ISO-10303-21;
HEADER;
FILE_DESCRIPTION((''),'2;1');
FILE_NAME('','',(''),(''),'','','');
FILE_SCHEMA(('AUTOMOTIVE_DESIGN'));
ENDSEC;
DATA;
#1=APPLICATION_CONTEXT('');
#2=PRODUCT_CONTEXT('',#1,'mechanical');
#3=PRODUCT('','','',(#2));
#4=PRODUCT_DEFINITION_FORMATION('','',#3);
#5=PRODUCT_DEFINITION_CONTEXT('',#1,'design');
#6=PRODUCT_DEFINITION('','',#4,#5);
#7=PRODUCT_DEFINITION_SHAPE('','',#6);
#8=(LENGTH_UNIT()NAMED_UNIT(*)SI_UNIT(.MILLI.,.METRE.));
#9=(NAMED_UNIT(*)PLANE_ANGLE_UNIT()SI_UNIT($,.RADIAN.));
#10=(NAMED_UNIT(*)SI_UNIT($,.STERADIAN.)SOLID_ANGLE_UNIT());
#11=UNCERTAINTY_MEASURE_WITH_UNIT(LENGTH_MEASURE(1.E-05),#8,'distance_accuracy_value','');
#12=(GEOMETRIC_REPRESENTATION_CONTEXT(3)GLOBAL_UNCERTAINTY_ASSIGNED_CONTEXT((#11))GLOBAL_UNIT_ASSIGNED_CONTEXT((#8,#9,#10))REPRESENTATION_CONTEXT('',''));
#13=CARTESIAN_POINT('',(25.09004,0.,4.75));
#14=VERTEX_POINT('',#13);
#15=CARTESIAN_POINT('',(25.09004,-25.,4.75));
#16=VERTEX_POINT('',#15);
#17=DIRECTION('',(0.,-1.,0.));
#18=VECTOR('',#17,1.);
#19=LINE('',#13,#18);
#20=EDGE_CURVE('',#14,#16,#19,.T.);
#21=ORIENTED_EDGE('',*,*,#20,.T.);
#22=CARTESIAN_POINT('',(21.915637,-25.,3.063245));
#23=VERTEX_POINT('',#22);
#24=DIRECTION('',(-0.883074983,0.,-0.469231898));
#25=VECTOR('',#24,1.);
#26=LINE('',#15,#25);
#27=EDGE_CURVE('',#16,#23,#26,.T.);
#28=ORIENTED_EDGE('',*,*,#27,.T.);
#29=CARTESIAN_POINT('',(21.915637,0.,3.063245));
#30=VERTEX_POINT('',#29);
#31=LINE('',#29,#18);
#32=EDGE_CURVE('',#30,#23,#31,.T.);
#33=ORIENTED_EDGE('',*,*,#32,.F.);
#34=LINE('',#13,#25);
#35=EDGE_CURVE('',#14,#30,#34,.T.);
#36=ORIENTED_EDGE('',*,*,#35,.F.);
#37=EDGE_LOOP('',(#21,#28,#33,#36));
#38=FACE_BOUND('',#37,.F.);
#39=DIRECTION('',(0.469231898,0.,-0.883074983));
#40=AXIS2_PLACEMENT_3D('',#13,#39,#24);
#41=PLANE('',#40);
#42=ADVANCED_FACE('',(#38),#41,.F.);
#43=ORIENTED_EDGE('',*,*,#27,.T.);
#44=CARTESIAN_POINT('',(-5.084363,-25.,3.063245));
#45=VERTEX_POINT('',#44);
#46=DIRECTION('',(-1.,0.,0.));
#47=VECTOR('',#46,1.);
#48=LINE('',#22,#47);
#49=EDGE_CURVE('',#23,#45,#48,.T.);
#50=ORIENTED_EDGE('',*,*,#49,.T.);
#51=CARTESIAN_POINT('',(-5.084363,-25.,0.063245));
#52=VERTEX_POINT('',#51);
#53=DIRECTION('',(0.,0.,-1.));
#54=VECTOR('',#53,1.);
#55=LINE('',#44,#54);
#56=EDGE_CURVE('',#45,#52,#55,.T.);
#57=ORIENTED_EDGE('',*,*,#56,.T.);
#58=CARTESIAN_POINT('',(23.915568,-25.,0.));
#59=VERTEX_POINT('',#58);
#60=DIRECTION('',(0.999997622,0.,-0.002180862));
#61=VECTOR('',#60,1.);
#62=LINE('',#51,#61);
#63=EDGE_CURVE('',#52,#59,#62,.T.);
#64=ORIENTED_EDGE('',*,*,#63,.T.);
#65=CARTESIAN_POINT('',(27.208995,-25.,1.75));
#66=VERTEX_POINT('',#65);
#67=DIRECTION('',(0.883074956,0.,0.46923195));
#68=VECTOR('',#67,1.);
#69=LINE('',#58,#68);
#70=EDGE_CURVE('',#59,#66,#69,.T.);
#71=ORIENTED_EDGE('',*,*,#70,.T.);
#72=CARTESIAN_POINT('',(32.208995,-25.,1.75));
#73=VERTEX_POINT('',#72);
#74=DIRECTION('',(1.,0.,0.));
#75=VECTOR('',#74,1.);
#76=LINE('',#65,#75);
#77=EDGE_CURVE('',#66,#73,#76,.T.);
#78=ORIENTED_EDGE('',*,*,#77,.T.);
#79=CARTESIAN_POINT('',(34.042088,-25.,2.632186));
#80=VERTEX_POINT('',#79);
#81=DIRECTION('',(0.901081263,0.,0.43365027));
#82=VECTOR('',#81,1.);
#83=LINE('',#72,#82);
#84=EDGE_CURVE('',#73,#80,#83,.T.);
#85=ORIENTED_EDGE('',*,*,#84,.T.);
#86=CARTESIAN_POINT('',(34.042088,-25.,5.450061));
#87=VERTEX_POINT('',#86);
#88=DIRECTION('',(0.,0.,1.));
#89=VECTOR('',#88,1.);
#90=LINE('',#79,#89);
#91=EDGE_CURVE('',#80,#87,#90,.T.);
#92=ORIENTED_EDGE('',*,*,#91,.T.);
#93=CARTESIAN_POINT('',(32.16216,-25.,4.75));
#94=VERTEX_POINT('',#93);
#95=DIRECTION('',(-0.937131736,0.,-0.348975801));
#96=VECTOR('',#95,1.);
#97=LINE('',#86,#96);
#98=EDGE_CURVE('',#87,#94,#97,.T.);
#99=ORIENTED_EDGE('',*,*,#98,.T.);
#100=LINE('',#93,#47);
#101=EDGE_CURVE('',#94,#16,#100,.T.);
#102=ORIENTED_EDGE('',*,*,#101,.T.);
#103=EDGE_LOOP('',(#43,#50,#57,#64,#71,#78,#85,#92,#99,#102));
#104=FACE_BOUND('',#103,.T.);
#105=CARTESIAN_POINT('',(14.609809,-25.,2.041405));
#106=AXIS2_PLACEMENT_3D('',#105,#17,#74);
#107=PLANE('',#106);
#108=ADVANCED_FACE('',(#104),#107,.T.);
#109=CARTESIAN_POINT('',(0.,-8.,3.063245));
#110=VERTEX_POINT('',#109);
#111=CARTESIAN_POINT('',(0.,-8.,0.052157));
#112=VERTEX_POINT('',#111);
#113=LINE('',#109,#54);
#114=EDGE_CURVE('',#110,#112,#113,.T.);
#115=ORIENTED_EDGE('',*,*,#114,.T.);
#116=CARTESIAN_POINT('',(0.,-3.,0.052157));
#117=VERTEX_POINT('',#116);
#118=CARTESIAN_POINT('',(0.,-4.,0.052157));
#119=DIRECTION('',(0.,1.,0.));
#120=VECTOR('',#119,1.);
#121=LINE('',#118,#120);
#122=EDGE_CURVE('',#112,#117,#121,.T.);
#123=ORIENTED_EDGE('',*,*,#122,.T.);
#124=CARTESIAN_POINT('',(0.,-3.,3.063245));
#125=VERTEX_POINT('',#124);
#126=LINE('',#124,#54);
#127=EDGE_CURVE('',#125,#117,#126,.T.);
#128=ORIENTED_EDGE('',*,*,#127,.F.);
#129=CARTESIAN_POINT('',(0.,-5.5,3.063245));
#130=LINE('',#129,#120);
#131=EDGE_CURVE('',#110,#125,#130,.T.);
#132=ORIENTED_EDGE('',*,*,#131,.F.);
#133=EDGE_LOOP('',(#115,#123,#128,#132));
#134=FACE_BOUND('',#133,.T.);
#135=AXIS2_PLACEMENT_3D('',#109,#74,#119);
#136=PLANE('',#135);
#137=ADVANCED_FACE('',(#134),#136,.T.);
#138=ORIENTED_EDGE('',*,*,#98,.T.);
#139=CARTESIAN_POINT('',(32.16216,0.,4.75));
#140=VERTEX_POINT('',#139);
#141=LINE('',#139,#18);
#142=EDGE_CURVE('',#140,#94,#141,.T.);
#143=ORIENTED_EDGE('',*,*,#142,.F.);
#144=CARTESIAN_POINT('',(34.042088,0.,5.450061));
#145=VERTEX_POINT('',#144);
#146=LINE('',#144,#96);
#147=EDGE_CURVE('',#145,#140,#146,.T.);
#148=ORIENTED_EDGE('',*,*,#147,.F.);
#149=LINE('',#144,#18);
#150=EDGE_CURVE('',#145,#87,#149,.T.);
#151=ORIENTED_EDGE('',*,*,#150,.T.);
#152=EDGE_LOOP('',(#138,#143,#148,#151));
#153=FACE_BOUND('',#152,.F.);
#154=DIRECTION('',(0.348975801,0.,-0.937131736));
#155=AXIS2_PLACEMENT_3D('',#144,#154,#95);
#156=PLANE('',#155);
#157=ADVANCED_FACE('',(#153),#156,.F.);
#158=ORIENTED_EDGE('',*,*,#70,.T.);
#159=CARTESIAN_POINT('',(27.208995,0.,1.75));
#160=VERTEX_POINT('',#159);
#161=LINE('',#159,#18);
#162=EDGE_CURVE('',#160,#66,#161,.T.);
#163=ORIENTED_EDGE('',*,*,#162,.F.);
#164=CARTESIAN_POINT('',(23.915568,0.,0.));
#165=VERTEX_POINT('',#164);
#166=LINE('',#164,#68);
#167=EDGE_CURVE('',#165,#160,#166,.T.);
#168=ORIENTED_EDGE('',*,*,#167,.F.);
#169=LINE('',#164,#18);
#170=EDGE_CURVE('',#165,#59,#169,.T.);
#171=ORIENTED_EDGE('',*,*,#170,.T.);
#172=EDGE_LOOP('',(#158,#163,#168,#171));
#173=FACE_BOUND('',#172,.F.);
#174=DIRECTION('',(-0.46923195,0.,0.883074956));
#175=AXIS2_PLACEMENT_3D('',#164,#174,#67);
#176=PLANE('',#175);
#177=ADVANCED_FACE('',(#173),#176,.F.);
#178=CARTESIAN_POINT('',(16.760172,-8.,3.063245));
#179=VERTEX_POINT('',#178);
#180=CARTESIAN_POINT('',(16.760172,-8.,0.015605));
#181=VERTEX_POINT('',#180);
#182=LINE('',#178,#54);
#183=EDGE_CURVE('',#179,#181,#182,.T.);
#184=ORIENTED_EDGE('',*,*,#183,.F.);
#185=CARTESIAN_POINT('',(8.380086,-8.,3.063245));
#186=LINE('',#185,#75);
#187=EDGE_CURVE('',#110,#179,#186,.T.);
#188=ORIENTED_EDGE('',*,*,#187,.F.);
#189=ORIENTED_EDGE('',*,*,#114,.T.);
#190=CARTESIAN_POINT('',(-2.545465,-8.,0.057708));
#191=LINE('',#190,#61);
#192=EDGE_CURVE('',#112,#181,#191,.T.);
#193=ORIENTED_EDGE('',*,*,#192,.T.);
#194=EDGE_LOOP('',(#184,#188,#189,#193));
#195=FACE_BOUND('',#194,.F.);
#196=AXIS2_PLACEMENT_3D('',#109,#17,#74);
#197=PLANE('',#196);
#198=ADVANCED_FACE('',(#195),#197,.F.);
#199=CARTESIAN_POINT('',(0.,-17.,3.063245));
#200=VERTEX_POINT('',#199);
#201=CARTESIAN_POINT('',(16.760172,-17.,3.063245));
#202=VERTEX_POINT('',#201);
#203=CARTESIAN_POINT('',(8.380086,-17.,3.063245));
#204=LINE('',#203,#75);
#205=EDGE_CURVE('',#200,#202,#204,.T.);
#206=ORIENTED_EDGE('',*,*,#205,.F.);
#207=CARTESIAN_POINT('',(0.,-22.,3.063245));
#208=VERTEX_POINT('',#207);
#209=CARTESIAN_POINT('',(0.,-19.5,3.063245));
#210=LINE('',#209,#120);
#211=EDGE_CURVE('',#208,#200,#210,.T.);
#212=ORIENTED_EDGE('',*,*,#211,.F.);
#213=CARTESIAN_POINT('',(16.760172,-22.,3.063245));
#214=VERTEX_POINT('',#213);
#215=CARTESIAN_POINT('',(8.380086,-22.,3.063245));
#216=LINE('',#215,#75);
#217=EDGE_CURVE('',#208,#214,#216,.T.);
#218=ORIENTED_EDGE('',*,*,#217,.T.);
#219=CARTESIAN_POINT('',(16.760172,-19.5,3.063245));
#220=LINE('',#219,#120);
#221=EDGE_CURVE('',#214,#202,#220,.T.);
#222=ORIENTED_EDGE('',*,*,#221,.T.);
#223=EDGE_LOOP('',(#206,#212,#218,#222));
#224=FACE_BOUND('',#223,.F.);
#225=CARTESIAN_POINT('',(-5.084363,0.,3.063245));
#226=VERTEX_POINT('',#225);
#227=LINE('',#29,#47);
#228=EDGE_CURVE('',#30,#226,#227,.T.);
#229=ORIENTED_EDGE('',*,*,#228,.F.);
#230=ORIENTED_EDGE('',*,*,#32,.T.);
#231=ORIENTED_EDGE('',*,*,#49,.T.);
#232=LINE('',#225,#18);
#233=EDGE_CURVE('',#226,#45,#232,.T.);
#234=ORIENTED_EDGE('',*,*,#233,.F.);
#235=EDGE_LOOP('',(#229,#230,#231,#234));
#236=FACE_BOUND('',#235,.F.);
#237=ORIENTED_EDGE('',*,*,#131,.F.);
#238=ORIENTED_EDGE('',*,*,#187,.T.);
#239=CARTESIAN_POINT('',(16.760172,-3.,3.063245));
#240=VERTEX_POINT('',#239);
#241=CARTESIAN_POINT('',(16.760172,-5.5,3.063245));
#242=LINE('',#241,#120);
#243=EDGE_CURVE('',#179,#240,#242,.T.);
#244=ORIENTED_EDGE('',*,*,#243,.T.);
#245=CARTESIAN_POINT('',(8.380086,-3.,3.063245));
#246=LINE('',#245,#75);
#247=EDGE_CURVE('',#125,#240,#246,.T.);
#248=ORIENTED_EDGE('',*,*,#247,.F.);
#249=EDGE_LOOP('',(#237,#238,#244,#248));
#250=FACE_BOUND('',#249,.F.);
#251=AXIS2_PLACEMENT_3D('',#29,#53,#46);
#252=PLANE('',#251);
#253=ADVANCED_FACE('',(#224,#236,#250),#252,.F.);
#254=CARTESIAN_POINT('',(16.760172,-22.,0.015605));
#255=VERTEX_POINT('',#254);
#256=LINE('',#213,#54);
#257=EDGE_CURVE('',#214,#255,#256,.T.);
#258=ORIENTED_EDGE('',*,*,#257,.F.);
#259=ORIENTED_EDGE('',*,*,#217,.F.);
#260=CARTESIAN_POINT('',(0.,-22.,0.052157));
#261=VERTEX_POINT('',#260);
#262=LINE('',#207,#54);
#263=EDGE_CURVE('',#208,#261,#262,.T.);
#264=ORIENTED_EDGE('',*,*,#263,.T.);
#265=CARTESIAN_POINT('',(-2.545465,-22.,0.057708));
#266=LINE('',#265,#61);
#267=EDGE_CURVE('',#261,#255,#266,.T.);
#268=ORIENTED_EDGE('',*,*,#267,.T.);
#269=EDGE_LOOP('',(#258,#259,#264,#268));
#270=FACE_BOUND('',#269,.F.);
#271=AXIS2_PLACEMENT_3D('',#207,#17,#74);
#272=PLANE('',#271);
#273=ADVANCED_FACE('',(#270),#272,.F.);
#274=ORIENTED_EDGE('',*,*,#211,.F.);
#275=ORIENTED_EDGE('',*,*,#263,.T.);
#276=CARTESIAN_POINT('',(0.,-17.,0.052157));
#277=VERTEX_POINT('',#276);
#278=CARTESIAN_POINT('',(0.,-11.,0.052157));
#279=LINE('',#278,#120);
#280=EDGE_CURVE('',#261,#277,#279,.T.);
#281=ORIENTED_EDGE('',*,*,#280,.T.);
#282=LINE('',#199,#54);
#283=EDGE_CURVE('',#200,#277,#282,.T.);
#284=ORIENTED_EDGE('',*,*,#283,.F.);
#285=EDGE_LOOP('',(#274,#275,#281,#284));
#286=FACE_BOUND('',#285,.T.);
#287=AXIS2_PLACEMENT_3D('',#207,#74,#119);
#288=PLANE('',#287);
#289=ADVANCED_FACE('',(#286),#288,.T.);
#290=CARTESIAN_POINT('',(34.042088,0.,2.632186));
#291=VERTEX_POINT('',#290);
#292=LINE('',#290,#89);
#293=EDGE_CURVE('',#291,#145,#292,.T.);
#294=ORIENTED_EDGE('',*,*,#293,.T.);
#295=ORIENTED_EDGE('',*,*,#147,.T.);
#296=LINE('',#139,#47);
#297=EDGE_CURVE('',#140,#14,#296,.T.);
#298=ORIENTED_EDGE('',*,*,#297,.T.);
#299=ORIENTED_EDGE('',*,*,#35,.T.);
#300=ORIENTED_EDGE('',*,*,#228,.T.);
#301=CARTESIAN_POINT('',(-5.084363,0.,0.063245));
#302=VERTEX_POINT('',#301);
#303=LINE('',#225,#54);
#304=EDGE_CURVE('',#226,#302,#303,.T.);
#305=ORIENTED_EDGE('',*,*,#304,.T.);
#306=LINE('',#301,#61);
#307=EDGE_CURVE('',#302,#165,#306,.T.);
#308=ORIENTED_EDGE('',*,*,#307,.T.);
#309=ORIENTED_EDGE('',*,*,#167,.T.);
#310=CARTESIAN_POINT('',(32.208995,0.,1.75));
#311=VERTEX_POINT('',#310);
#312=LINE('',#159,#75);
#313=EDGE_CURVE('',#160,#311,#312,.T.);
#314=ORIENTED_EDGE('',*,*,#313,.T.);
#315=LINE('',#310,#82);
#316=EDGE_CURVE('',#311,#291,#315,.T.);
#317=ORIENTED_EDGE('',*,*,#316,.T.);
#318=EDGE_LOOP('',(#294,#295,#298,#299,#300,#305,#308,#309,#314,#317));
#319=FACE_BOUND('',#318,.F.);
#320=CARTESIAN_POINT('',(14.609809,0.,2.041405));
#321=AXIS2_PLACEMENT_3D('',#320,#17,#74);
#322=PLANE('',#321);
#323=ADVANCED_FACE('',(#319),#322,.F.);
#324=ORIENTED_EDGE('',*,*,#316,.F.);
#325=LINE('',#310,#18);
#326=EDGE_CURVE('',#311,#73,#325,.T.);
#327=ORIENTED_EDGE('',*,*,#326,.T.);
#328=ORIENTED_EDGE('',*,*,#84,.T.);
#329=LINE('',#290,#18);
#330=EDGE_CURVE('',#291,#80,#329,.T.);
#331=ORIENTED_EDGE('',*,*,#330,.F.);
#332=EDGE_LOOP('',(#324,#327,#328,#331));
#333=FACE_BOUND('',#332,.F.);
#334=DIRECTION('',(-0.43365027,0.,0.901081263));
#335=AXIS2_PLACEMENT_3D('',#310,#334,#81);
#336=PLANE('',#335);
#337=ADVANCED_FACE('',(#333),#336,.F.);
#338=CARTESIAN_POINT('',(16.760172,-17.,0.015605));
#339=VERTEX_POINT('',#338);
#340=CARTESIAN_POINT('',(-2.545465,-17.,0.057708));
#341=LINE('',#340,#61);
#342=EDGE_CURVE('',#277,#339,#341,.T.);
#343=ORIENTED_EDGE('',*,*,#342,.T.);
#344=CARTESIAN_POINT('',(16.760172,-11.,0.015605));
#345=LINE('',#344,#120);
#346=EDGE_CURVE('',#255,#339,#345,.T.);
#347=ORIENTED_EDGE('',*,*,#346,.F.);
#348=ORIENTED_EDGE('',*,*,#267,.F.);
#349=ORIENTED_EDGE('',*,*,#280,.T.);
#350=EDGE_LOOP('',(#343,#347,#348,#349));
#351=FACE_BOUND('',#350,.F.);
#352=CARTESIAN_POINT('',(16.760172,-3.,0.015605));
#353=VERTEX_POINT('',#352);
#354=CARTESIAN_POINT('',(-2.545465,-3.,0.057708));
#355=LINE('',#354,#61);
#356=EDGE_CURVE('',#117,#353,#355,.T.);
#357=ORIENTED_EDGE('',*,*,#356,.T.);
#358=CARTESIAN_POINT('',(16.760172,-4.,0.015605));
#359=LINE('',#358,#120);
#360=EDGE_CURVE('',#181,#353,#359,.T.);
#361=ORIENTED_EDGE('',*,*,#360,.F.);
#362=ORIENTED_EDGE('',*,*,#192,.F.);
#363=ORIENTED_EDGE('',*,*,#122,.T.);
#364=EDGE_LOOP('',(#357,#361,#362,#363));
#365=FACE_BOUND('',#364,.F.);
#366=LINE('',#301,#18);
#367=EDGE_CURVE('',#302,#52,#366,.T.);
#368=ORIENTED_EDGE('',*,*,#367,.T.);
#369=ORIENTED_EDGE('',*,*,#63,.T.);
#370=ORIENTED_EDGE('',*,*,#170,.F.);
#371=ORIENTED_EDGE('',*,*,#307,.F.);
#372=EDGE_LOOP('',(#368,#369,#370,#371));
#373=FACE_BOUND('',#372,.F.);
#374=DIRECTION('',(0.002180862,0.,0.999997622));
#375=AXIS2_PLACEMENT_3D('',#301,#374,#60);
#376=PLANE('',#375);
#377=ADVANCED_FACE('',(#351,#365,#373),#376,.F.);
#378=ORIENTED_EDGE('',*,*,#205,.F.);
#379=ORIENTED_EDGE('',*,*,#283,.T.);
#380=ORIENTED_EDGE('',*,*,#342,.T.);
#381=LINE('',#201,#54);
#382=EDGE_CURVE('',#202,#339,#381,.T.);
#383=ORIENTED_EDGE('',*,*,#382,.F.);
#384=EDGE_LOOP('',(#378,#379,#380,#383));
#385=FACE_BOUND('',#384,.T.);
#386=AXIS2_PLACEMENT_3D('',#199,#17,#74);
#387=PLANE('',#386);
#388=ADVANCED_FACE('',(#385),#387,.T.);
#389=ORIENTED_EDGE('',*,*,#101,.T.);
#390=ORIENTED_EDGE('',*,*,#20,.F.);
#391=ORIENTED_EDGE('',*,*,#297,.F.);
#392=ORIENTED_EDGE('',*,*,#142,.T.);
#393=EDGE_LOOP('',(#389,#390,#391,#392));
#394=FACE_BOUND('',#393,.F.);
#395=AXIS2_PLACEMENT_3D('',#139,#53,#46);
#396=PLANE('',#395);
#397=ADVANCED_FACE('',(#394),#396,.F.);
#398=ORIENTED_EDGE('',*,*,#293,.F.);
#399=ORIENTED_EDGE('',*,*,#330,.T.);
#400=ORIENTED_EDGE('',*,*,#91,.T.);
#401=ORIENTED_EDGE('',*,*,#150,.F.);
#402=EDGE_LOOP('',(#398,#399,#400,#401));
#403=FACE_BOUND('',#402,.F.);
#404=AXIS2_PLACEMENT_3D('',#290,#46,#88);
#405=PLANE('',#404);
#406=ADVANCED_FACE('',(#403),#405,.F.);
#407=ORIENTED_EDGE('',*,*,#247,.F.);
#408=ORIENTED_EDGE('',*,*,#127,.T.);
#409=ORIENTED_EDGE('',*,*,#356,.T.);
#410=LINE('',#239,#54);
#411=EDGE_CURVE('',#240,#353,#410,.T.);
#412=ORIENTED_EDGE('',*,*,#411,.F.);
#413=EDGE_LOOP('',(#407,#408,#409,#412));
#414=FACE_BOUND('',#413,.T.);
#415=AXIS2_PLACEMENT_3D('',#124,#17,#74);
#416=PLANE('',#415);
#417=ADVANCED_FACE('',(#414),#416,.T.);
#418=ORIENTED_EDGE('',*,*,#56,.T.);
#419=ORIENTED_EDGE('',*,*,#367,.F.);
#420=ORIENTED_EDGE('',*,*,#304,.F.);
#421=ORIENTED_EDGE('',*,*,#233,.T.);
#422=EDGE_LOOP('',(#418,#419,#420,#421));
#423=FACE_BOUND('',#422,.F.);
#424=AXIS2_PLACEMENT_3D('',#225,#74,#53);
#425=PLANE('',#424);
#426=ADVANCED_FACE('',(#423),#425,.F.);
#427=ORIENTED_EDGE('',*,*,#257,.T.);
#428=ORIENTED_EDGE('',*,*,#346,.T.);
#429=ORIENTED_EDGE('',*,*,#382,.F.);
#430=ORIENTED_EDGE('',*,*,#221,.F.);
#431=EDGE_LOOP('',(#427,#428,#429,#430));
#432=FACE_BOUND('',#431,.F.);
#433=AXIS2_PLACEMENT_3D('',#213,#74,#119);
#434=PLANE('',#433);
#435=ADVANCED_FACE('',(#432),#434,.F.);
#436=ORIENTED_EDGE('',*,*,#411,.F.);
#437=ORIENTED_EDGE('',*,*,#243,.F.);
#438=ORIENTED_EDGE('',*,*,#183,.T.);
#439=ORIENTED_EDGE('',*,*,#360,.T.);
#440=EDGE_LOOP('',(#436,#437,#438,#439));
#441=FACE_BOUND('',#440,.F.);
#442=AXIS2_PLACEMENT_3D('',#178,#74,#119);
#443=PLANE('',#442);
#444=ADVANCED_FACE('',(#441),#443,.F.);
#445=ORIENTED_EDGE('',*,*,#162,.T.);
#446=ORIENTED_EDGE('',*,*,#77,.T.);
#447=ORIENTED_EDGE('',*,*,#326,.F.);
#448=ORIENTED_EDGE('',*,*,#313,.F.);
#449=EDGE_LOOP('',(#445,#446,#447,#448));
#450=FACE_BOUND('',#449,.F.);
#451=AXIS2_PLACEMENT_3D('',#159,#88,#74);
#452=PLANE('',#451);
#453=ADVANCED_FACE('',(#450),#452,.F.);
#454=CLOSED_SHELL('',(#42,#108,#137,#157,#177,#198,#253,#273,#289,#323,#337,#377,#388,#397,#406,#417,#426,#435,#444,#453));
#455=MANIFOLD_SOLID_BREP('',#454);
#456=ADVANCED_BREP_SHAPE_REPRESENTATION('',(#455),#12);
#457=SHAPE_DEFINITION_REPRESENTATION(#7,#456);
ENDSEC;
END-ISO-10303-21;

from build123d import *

# Parameters (mm, degrees)
F1_DEPTH = 25
F2_W     = 16.760172
F2_H     = 5
F3_DEPTH = 25


with BuildPart() as f1:
    # F0 (on Front) → F1 (new body)
    with BuildSketch(Plane.XZ):
        Polygon((21.915637, 3.063245), (-5.084363, 3.063245), (-5.084363, 0.063245), (23.915568, 0), (27.208995, 1.75), (32.208995, 1.75), (34.042088, 2.632186), (34.042088, 5.450061), (32.16216, 4.75), (25.09004, 4.75), align=None)
    extrude(amount=F1_DEPTH)

    # F2 (on face) → F3 (cut)
    with BuildSketch(Plane.XY.offset(3.063245)):
        with Locations((8.380086, -5.5)):
            Rectangle(F2_W, F2_H)
        with Locations((8.380086, -19.5)):
            Rectangle(F2_W, F2_H)
    extrude(amount=-F3_DEPTH, mode=Mode.SUBTRACT)


solid = f1.part
